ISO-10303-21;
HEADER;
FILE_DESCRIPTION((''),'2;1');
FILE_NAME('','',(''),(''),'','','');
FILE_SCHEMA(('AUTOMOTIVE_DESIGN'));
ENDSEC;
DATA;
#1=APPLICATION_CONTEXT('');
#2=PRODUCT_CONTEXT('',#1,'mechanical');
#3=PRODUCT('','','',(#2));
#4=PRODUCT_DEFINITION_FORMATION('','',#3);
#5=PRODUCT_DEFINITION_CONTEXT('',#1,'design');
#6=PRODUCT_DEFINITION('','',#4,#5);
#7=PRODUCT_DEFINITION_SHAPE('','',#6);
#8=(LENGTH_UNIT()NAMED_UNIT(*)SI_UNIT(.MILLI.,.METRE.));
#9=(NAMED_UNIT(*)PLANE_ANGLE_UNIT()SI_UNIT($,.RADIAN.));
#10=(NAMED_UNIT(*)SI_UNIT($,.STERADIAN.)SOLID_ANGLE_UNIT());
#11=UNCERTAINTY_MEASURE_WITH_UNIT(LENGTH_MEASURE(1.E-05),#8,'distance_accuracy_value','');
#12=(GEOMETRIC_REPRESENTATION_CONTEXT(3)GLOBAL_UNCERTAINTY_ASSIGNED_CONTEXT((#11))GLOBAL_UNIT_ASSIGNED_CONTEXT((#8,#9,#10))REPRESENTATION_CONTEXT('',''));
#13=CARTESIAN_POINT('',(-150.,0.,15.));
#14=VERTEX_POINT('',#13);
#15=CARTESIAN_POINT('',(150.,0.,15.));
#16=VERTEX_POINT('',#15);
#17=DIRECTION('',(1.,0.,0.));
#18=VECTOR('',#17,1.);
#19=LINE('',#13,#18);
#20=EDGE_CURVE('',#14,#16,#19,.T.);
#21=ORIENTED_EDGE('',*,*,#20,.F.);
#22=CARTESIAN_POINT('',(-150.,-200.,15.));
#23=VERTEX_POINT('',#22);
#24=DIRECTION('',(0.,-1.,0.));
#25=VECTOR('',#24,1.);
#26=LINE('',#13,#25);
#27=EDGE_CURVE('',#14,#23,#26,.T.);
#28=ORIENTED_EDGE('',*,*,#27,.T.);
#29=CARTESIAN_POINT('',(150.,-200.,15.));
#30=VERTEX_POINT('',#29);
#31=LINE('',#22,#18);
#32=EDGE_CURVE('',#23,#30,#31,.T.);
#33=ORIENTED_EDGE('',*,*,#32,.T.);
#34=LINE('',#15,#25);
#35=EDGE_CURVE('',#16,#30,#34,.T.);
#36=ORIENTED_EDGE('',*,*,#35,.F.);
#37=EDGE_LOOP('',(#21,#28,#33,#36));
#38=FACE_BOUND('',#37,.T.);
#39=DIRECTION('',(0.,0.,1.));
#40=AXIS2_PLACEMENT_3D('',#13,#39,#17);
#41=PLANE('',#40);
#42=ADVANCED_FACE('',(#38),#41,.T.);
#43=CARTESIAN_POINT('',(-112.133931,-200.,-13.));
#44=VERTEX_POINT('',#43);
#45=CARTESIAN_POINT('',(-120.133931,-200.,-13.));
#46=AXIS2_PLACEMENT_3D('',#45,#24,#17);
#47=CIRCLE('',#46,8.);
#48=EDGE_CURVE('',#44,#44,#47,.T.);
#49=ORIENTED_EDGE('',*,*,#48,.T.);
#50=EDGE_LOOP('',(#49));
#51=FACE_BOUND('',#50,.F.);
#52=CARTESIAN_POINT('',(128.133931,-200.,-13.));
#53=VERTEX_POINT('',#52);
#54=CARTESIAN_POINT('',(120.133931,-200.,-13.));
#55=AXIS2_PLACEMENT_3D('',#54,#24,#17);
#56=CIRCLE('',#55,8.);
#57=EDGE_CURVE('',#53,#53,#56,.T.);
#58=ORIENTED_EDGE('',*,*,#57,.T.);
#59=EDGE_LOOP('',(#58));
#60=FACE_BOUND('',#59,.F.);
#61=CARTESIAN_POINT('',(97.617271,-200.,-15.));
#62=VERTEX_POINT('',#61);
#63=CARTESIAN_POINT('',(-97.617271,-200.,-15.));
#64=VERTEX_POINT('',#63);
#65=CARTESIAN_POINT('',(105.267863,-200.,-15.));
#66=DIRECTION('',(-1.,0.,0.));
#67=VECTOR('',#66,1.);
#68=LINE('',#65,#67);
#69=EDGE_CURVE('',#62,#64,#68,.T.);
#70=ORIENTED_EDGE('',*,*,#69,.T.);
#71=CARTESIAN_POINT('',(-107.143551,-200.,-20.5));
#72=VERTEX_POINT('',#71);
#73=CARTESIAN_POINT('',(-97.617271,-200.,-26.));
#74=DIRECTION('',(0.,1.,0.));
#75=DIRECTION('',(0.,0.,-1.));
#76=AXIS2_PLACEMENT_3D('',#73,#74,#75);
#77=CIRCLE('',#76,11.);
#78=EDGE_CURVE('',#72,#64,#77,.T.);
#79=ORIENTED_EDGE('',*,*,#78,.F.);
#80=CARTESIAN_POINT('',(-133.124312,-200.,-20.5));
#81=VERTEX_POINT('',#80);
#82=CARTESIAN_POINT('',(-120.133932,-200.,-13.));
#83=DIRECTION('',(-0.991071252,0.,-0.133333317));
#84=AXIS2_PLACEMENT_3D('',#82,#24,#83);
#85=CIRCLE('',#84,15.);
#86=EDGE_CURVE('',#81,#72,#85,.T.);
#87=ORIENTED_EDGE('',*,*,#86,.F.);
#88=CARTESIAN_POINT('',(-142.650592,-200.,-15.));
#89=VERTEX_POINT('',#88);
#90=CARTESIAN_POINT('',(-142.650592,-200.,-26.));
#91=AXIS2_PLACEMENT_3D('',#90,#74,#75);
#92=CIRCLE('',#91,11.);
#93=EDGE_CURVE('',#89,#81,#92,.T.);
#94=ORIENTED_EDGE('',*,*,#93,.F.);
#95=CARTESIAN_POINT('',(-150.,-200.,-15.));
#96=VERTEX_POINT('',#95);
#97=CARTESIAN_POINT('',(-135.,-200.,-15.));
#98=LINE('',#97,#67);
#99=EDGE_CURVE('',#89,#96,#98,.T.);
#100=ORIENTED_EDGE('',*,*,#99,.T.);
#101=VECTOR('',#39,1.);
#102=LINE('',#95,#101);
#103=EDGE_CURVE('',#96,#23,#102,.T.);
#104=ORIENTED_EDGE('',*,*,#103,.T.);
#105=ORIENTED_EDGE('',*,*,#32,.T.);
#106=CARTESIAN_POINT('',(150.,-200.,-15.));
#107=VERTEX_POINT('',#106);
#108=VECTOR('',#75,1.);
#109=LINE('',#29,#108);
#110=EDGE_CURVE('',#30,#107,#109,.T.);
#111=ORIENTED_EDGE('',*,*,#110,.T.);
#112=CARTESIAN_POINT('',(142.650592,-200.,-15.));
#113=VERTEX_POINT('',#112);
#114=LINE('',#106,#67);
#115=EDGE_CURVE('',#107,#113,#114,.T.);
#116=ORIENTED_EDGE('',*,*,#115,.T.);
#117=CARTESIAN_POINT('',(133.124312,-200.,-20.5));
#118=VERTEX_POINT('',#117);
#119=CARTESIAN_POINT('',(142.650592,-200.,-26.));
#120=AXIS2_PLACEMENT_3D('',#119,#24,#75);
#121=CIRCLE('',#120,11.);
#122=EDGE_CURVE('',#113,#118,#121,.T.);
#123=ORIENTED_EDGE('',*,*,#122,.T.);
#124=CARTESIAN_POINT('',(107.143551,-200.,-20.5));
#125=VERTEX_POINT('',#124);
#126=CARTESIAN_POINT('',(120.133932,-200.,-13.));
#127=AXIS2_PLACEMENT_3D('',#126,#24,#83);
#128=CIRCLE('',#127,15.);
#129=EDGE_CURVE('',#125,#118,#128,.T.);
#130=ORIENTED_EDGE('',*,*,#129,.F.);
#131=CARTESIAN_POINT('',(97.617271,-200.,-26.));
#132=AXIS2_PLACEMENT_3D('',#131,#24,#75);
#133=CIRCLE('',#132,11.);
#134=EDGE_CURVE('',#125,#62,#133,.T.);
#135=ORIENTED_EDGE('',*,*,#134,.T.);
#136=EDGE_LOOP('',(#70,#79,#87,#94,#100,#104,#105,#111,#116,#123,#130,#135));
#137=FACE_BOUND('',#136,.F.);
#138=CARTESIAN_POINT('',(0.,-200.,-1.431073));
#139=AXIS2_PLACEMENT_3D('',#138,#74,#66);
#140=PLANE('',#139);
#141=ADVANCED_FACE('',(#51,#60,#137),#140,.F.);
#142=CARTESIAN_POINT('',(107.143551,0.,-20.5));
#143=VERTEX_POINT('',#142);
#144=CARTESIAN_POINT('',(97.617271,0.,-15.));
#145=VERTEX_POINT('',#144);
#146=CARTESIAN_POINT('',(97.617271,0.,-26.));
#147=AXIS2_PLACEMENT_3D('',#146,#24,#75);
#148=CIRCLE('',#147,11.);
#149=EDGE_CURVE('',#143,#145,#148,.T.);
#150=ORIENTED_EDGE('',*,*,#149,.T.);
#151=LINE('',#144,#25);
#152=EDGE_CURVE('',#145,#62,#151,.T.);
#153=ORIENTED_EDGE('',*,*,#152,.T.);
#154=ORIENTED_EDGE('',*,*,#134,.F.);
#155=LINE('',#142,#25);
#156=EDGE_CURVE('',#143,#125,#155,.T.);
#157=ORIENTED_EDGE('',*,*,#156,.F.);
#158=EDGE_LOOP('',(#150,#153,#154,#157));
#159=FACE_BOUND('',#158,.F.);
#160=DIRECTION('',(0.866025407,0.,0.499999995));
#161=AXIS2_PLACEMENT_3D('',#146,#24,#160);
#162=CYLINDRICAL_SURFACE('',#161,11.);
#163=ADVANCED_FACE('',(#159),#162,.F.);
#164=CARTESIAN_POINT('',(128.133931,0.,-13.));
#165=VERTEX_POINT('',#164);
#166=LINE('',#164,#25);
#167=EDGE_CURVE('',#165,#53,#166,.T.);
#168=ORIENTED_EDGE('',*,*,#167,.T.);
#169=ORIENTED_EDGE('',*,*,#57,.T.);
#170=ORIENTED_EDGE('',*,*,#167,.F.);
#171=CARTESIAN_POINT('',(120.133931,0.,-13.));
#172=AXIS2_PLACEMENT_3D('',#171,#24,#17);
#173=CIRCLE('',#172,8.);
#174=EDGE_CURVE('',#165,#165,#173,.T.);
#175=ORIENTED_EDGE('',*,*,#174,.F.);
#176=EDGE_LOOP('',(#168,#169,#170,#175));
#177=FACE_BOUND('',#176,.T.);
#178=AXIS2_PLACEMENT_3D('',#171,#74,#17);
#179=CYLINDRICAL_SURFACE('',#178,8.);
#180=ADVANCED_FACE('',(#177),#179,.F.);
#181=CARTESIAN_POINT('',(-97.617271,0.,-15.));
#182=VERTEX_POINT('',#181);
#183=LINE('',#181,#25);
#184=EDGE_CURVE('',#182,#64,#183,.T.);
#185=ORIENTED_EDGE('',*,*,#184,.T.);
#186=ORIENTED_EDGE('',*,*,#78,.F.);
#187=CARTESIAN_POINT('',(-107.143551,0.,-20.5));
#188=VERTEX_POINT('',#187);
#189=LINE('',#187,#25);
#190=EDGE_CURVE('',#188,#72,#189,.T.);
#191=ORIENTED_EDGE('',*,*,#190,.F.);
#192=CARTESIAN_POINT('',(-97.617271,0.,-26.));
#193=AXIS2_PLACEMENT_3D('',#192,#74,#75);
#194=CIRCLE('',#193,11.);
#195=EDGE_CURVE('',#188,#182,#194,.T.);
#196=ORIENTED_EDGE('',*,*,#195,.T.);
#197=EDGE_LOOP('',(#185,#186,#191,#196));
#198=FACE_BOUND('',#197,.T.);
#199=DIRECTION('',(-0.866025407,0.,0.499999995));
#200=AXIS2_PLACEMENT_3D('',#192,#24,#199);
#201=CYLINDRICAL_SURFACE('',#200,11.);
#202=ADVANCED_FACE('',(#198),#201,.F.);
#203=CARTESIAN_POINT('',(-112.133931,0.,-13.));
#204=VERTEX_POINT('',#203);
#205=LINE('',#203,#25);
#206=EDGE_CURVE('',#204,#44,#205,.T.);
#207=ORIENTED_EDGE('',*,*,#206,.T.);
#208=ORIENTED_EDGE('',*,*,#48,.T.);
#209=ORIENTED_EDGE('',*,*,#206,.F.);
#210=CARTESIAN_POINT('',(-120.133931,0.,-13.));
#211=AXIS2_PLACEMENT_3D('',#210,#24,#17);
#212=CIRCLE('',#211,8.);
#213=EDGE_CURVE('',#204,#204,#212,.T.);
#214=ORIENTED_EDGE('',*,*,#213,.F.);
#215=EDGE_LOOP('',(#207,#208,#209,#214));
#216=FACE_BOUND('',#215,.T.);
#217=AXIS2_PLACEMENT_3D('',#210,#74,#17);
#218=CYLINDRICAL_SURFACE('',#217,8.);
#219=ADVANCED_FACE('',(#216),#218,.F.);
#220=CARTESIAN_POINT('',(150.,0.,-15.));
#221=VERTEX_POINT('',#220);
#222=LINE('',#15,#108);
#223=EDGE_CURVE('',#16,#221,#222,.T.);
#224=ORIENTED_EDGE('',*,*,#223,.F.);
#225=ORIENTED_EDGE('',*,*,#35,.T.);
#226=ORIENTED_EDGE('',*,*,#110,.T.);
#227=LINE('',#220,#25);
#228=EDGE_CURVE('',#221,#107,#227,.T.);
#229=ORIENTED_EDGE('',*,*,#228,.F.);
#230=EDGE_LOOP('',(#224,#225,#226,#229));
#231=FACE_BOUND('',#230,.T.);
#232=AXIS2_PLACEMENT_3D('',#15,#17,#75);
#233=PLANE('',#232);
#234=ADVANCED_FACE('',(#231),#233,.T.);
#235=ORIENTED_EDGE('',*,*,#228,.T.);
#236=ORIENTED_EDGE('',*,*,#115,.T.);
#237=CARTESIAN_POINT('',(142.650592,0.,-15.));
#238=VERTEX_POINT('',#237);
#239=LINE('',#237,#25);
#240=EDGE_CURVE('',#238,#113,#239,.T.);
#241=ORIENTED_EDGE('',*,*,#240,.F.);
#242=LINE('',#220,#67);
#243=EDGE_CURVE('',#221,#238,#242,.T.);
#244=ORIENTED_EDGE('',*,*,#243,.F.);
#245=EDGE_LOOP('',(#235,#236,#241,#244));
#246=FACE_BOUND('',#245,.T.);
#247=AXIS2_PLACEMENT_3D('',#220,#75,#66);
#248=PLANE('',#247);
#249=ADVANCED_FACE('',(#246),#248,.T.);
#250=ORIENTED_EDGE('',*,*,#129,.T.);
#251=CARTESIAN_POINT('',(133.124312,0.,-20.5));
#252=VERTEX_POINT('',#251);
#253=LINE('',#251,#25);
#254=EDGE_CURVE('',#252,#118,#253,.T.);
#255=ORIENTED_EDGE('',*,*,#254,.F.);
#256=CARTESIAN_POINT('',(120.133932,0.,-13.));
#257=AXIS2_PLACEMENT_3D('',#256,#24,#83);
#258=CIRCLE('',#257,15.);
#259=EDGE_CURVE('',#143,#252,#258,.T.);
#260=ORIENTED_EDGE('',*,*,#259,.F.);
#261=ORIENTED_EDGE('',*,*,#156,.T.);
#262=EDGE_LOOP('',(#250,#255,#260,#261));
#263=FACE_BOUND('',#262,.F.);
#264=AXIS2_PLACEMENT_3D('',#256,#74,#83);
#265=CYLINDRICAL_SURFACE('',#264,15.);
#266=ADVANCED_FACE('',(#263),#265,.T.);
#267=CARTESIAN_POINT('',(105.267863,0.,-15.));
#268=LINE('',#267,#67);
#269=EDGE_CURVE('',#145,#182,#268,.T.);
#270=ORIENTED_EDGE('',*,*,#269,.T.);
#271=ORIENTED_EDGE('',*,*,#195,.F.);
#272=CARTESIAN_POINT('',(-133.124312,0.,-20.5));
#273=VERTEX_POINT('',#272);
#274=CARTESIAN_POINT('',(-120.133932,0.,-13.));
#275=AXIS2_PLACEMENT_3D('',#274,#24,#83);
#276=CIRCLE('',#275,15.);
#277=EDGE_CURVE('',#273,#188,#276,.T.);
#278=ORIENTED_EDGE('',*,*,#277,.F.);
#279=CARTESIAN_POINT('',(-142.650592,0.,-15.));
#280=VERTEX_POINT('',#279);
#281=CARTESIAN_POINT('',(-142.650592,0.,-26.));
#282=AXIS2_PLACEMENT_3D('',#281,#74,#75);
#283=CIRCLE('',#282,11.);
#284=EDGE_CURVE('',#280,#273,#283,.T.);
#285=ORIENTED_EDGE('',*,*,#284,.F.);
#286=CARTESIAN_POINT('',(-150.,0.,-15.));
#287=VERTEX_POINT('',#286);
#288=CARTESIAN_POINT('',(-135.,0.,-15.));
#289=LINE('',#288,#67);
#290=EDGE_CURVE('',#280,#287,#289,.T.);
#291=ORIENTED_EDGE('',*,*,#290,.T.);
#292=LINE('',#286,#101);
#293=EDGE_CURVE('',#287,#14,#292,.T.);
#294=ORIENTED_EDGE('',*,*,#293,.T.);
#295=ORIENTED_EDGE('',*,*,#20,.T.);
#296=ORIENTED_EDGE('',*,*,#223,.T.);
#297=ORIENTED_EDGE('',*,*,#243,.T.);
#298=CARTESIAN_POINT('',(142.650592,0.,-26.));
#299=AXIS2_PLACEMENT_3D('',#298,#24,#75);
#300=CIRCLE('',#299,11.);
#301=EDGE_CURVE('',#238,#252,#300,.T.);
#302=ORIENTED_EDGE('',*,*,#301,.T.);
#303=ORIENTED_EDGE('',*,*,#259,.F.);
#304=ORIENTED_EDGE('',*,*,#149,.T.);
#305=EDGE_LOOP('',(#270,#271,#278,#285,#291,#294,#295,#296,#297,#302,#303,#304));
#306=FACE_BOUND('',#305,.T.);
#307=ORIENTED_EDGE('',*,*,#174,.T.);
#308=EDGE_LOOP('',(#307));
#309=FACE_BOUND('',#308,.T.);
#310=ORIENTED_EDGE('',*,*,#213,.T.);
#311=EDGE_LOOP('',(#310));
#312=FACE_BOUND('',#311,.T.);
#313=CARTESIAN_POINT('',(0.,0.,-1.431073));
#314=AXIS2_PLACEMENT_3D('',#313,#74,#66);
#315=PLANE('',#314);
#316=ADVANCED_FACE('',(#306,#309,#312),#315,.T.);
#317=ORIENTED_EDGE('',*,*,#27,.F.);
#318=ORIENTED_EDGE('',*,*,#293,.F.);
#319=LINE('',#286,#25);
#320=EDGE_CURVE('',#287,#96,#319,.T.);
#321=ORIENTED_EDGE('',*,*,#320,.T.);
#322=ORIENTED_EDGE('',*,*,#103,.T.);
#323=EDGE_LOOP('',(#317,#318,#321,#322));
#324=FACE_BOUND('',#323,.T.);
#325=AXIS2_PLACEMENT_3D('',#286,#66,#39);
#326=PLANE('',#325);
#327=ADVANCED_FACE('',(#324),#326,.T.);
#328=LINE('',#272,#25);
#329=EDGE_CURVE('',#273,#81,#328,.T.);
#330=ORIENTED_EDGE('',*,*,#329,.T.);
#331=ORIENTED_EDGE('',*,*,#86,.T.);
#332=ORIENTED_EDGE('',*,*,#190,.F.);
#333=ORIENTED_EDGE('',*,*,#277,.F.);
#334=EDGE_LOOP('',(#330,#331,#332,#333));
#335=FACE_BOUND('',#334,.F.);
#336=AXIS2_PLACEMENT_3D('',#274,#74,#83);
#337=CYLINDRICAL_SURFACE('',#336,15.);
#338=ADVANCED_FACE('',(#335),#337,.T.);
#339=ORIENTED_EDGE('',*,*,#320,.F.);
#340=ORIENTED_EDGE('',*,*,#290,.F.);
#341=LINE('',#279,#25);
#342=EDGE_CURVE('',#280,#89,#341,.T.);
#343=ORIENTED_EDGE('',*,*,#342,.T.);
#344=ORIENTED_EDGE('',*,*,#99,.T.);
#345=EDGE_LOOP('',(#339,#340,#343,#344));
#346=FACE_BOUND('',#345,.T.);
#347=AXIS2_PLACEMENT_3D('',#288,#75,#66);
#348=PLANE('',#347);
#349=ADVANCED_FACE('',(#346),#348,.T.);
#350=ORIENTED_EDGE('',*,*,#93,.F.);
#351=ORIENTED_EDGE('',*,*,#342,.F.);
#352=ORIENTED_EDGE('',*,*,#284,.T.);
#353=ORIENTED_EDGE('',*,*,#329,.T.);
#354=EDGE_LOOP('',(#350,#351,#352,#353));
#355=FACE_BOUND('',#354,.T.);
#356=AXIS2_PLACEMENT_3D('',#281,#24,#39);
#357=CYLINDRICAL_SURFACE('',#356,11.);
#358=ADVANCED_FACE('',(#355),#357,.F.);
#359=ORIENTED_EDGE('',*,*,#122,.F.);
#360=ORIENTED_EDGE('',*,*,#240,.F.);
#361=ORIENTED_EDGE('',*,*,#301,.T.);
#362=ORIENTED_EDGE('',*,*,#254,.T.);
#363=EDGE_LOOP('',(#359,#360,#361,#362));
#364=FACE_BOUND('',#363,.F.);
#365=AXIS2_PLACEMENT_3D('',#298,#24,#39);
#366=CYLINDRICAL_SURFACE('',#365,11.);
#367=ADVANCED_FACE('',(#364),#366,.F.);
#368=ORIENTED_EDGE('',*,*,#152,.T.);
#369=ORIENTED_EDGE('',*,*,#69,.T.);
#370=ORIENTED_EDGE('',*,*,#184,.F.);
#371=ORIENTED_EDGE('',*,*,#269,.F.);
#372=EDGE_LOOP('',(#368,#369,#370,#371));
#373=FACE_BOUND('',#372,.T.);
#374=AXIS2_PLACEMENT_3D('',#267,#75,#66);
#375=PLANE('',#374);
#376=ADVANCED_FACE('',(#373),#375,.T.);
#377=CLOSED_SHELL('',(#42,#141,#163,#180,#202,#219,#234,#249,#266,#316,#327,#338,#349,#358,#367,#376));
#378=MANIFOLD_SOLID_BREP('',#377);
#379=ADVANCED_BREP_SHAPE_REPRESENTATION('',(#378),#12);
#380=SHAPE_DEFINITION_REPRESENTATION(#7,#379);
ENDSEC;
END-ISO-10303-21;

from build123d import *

# Parameters (mm, degrees)
SKETCH_R  = 8
PAD_DEPTH = 200
FILLET_R  = 11


with BuildPart() as part:
    # Sketch → Pad (new body)
    with BuildSketch(Plane.XZ):
        with BuildLine():
            Line((-150, 15), (150, 15))
            Line((150, 15), (150, -15))
            Line((150, -15), (135, -15))
            ThreePointArc((105.267863, -15), (120.133931, -28), (135, -15))
            Line((105.267863, -15), (-105.267863, -15))
            ThreePointArc((-135, -15), (-120.133931, -28), (-105.267863, -15))
            Line((-135, -15), (-150, -15))
            Line((-150, -15), (-150, 15))
        make_face()
        with Locations((-120.133931, -13)):
            Circle(SKETCH_R, mode=Mode.SUBTRACT)
        with Locations((120.133931, -13)):
            Circle(SKETCH_R, mode=Mode.SUBTRACT)
    extrude(amount=PAD_DEPTH)

    # Fillet
    fillet_edges = [part.edges().sort_by_distance(p)[0] for p in [
        (-135, -100, -15),
        (-105.267863, -100, -15),
        (105.267863, -100, -15),
        (135, -100, -15),
    ]]
    fillet(fillet_edges, radius=FILLET_R)


solid = part.part
